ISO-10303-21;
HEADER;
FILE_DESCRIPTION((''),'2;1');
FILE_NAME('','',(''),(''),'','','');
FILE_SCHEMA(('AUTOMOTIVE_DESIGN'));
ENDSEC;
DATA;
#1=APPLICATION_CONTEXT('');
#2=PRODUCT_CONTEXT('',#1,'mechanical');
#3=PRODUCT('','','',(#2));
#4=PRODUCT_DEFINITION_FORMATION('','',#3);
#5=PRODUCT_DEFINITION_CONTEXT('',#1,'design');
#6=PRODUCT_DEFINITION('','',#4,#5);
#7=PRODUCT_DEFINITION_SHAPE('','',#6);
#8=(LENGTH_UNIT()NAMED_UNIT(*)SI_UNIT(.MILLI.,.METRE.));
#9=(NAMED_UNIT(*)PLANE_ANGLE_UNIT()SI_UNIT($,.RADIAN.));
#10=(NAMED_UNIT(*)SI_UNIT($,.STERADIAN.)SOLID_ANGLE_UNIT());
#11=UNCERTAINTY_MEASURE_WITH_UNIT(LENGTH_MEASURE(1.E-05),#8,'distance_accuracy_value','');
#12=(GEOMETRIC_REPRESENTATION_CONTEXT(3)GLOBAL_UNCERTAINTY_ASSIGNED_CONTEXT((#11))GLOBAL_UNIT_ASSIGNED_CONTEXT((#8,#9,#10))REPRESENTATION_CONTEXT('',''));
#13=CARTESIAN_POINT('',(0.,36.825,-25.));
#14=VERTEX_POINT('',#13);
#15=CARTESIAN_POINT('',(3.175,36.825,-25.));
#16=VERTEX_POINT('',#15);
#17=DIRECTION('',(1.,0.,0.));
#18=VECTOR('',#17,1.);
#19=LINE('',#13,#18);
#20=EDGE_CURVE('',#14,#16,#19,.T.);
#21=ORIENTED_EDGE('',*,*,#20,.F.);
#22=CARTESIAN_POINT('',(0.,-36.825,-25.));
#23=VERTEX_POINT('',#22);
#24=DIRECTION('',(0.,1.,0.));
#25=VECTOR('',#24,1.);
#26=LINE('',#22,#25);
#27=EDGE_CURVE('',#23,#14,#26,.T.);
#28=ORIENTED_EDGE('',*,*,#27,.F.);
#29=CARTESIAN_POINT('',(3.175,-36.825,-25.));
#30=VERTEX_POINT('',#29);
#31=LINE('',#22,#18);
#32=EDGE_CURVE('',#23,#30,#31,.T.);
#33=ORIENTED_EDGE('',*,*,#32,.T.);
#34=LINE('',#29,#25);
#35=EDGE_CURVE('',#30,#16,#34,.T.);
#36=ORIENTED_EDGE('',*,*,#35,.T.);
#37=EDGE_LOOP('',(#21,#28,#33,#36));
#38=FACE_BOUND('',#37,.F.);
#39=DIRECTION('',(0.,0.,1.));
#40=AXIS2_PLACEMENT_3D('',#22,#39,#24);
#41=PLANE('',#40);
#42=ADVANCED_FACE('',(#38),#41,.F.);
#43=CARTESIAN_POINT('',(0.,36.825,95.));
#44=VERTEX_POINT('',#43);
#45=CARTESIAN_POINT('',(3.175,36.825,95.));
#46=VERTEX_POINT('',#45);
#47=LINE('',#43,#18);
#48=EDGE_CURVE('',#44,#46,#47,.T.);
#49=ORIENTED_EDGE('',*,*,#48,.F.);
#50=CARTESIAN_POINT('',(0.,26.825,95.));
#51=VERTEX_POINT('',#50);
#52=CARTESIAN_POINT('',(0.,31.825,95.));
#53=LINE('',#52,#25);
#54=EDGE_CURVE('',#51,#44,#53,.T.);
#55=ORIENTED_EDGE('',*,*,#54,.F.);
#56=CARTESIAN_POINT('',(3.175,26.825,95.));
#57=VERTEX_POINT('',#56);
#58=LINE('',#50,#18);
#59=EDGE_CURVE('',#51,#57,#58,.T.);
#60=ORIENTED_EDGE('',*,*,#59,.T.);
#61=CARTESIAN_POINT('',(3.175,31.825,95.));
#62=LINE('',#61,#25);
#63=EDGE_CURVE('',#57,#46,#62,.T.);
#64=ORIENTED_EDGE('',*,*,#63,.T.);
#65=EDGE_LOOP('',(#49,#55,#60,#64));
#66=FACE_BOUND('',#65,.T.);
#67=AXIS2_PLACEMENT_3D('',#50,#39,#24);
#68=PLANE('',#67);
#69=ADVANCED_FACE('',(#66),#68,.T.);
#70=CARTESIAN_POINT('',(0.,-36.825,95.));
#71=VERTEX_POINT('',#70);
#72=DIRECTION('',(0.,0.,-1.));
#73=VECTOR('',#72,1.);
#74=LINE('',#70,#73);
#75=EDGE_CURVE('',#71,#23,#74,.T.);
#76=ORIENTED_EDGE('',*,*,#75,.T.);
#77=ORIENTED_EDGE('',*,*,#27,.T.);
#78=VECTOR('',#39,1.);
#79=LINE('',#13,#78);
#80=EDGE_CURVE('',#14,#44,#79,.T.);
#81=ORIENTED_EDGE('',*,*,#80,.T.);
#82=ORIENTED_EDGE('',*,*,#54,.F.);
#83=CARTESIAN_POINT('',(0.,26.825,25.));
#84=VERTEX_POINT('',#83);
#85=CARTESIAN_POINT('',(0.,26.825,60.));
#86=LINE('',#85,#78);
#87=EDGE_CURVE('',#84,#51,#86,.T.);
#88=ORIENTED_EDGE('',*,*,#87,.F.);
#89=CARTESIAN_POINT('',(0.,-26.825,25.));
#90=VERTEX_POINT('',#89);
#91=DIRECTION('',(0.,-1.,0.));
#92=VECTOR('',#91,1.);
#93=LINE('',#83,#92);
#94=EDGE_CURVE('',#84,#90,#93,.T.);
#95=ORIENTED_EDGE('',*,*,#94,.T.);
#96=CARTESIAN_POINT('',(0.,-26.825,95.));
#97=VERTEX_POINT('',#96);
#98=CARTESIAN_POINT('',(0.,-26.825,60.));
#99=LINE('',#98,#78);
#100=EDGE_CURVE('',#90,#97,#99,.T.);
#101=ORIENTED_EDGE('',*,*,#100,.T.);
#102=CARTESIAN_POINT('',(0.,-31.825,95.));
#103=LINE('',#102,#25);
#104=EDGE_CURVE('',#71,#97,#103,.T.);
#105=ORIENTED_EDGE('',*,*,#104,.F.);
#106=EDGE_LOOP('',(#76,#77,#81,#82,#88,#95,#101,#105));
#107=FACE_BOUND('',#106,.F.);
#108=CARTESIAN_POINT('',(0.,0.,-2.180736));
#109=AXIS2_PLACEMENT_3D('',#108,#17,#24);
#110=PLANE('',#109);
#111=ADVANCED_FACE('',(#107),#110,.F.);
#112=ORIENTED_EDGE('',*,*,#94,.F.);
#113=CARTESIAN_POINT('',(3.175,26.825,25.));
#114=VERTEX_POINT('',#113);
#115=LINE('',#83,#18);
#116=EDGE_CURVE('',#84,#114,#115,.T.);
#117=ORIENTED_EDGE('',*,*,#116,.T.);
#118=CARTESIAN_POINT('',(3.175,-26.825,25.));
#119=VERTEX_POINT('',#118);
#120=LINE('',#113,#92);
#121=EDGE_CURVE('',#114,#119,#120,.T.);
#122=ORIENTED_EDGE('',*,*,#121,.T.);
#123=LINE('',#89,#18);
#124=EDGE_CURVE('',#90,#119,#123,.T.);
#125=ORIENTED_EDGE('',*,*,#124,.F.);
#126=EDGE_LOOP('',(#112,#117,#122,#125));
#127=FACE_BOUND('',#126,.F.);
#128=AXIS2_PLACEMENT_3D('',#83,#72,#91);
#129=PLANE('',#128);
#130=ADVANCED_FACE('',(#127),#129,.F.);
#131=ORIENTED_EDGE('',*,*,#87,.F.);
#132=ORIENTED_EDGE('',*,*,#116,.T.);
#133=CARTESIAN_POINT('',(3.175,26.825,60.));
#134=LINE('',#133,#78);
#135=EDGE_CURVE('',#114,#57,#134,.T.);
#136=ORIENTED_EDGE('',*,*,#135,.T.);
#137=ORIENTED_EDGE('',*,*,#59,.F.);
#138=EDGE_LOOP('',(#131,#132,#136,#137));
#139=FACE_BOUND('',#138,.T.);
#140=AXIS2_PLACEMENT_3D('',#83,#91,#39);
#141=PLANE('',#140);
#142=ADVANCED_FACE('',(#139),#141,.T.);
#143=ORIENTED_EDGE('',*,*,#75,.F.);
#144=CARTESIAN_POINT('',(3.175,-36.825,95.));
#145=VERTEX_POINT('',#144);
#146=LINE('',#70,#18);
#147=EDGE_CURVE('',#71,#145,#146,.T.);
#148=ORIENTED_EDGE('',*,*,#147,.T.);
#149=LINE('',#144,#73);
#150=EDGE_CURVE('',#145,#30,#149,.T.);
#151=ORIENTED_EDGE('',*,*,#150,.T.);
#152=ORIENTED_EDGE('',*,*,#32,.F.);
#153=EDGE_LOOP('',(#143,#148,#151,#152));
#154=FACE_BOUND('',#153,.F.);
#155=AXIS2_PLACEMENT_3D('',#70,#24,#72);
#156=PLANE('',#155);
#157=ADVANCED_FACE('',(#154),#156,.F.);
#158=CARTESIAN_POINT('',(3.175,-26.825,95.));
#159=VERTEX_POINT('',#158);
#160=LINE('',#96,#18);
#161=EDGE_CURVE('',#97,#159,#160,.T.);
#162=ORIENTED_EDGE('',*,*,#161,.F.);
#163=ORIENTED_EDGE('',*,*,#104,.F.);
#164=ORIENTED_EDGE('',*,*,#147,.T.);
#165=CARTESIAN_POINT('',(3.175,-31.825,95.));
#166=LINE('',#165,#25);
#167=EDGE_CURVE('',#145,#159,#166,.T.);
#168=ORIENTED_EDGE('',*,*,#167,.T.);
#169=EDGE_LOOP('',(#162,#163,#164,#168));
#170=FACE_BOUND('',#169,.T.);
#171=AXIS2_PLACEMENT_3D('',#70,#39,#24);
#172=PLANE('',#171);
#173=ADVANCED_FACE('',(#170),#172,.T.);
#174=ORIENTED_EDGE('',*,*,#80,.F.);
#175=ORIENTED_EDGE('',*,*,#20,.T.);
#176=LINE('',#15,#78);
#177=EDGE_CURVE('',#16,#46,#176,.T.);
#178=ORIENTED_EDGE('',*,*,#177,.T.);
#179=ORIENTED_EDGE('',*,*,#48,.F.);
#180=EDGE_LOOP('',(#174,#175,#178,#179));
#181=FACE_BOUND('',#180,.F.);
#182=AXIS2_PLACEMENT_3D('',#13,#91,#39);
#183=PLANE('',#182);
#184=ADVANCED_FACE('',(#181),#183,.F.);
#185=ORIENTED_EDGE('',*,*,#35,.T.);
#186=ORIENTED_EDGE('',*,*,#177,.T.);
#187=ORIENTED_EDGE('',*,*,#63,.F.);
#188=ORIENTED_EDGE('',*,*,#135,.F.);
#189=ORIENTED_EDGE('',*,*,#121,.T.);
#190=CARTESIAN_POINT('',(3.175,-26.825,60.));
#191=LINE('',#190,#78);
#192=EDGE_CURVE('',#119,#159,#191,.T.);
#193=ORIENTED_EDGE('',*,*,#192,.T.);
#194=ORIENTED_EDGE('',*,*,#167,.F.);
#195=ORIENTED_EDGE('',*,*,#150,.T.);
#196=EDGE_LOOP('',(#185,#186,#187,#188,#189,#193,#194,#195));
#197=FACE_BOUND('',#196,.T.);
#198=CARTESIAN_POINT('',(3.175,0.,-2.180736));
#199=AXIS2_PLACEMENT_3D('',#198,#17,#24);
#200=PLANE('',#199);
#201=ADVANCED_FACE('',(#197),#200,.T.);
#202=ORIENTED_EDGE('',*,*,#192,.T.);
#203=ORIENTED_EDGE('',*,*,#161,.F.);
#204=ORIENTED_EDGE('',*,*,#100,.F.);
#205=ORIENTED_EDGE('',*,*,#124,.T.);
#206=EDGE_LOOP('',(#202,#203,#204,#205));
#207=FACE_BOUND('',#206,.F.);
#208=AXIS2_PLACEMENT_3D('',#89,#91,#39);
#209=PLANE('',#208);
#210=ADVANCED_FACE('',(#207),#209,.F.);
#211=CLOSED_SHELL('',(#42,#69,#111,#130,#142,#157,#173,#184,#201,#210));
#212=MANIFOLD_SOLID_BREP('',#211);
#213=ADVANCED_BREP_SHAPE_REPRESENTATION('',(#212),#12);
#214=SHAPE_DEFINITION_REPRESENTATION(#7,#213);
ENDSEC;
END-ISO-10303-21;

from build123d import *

# Parameters (mm, degrees)
F0_W     = 10
F0_H     = 70
F1_DEPTH = 3.175


with BuildPart() as f1:
    # F0 (on Right) → F1 (new body)
    with BuildSketch(Plane.YZ):
        Polygon((36.825, -25), (26.825, 25), (-26.825, 25), (-36.825, -25), align=None)
        with Locations((31.825, 60)):
            Rectangle(F0_W, F0_H)
        Polygon((36.825, -25), (36.825, 25), (26.825, 25), align=None)
        Polygon((-36.825, -25), (-26.825, 25), (-36.825, 25), align=None)
        with Locations((-31.825, 60)):
            Rectangle(F0_W, F0_H)
    extrude(amount=F1_DEPTH)


solid = f1.part
